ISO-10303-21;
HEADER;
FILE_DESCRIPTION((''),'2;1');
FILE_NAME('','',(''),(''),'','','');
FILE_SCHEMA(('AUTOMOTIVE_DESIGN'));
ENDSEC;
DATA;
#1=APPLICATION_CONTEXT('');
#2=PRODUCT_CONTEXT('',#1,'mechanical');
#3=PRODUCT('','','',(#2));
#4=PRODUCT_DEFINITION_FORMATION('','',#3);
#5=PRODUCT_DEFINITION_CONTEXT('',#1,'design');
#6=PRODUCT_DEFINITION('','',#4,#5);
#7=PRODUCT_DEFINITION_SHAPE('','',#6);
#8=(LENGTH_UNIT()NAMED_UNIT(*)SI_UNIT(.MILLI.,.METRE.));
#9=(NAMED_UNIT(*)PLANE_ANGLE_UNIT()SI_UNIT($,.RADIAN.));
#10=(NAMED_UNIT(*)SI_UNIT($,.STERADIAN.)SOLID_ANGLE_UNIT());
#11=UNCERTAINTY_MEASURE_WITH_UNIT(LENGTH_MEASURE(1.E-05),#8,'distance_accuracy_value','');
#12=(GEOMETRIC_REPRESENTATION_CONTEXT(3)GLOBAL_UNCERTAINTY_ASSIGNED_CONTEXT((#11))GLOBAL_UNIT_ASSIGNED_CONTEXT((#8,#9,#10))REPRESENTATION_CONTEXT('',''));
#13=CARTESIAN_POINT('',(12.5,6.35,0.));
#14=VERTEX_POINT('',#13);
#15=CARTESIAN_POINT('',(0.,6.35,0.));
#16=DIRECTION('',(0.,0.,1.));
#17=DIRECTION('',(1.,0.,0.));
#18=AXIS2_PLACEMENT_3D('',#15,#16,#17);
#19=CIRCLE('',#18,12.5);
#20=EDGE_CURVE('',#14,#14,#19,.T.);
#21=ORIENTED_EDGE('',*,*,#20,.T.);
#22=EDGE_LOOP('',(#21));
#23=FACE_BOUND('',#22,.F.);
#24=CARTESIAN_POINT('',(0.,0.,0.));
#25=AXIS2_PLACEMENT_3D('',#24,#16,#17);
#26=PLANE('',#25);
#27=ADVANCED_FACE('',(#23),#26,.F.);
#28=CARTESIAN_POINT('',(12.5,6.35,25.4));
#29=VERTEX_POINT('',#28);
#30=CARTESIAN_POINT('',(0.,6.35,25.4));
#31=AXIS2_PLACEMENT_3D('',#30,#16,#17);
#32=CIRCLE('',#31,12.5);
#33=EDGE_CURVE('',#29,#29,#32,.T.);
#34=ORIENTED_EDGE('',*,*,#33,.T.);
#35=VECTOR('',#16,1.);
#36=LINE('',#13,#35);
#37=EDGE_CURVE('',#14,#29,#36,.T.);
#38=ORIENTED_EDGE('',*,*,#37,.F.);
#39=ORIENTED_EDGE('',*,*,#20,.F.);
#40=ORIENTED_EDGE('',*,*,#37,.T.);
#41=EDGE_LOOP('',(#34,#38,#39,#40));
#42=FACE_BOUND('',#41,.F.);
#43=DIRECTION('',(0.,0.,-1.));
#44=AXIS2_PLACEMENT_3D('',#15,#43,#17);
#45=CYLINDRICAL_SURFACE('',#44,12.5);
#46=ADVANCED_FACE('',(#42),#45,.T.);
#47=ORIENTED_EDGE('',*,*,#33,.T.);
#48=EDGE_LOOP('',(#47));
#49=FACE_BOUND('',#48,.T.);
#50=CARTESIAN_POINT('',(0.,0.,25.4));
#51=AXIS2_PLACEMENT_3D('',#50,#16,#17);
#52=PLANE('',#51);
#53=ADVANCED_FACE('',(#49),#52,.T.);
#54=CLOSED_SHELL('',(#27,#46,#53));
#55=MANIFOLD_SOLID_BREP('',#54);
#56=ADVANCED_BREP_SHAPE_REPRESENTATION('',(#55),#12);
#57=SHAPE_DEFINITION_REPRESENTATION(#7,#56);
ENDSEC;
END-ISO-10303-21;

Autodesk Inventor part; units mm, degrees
ref_plane "YZ Plane" through (0, 0, 0) normal (1, 0, 0) x (0, 1, 0)
ref_plane "XZ Plane" through (0, 0, 0) normal (0, 1, 0) x (-1, 0, 0)
ref_plane "XY Plane" through (0, 0, 0) normal (0, 0, 1) x (1, 0, 0)
ref_plane "Work Plane1" through (0, 0, 0) normal (0, 0, 1) x (1, 0, 0)
sketch "Sketch1" plane through (0, 0, 0) normal (0, 0, 1) x (1, 0, 0)
  circle A0 centre (0, 6.35) radius 4 projected
  circle A1 centre (0, 6.35) radius 12.5
  point P0 (0, 0)
  dimension "d0" = 25
extrude "Extrusion1" add sketch "Sketch1" along normal blind 25.4 contours A0 | A1
properties part number "ManualKnob"
